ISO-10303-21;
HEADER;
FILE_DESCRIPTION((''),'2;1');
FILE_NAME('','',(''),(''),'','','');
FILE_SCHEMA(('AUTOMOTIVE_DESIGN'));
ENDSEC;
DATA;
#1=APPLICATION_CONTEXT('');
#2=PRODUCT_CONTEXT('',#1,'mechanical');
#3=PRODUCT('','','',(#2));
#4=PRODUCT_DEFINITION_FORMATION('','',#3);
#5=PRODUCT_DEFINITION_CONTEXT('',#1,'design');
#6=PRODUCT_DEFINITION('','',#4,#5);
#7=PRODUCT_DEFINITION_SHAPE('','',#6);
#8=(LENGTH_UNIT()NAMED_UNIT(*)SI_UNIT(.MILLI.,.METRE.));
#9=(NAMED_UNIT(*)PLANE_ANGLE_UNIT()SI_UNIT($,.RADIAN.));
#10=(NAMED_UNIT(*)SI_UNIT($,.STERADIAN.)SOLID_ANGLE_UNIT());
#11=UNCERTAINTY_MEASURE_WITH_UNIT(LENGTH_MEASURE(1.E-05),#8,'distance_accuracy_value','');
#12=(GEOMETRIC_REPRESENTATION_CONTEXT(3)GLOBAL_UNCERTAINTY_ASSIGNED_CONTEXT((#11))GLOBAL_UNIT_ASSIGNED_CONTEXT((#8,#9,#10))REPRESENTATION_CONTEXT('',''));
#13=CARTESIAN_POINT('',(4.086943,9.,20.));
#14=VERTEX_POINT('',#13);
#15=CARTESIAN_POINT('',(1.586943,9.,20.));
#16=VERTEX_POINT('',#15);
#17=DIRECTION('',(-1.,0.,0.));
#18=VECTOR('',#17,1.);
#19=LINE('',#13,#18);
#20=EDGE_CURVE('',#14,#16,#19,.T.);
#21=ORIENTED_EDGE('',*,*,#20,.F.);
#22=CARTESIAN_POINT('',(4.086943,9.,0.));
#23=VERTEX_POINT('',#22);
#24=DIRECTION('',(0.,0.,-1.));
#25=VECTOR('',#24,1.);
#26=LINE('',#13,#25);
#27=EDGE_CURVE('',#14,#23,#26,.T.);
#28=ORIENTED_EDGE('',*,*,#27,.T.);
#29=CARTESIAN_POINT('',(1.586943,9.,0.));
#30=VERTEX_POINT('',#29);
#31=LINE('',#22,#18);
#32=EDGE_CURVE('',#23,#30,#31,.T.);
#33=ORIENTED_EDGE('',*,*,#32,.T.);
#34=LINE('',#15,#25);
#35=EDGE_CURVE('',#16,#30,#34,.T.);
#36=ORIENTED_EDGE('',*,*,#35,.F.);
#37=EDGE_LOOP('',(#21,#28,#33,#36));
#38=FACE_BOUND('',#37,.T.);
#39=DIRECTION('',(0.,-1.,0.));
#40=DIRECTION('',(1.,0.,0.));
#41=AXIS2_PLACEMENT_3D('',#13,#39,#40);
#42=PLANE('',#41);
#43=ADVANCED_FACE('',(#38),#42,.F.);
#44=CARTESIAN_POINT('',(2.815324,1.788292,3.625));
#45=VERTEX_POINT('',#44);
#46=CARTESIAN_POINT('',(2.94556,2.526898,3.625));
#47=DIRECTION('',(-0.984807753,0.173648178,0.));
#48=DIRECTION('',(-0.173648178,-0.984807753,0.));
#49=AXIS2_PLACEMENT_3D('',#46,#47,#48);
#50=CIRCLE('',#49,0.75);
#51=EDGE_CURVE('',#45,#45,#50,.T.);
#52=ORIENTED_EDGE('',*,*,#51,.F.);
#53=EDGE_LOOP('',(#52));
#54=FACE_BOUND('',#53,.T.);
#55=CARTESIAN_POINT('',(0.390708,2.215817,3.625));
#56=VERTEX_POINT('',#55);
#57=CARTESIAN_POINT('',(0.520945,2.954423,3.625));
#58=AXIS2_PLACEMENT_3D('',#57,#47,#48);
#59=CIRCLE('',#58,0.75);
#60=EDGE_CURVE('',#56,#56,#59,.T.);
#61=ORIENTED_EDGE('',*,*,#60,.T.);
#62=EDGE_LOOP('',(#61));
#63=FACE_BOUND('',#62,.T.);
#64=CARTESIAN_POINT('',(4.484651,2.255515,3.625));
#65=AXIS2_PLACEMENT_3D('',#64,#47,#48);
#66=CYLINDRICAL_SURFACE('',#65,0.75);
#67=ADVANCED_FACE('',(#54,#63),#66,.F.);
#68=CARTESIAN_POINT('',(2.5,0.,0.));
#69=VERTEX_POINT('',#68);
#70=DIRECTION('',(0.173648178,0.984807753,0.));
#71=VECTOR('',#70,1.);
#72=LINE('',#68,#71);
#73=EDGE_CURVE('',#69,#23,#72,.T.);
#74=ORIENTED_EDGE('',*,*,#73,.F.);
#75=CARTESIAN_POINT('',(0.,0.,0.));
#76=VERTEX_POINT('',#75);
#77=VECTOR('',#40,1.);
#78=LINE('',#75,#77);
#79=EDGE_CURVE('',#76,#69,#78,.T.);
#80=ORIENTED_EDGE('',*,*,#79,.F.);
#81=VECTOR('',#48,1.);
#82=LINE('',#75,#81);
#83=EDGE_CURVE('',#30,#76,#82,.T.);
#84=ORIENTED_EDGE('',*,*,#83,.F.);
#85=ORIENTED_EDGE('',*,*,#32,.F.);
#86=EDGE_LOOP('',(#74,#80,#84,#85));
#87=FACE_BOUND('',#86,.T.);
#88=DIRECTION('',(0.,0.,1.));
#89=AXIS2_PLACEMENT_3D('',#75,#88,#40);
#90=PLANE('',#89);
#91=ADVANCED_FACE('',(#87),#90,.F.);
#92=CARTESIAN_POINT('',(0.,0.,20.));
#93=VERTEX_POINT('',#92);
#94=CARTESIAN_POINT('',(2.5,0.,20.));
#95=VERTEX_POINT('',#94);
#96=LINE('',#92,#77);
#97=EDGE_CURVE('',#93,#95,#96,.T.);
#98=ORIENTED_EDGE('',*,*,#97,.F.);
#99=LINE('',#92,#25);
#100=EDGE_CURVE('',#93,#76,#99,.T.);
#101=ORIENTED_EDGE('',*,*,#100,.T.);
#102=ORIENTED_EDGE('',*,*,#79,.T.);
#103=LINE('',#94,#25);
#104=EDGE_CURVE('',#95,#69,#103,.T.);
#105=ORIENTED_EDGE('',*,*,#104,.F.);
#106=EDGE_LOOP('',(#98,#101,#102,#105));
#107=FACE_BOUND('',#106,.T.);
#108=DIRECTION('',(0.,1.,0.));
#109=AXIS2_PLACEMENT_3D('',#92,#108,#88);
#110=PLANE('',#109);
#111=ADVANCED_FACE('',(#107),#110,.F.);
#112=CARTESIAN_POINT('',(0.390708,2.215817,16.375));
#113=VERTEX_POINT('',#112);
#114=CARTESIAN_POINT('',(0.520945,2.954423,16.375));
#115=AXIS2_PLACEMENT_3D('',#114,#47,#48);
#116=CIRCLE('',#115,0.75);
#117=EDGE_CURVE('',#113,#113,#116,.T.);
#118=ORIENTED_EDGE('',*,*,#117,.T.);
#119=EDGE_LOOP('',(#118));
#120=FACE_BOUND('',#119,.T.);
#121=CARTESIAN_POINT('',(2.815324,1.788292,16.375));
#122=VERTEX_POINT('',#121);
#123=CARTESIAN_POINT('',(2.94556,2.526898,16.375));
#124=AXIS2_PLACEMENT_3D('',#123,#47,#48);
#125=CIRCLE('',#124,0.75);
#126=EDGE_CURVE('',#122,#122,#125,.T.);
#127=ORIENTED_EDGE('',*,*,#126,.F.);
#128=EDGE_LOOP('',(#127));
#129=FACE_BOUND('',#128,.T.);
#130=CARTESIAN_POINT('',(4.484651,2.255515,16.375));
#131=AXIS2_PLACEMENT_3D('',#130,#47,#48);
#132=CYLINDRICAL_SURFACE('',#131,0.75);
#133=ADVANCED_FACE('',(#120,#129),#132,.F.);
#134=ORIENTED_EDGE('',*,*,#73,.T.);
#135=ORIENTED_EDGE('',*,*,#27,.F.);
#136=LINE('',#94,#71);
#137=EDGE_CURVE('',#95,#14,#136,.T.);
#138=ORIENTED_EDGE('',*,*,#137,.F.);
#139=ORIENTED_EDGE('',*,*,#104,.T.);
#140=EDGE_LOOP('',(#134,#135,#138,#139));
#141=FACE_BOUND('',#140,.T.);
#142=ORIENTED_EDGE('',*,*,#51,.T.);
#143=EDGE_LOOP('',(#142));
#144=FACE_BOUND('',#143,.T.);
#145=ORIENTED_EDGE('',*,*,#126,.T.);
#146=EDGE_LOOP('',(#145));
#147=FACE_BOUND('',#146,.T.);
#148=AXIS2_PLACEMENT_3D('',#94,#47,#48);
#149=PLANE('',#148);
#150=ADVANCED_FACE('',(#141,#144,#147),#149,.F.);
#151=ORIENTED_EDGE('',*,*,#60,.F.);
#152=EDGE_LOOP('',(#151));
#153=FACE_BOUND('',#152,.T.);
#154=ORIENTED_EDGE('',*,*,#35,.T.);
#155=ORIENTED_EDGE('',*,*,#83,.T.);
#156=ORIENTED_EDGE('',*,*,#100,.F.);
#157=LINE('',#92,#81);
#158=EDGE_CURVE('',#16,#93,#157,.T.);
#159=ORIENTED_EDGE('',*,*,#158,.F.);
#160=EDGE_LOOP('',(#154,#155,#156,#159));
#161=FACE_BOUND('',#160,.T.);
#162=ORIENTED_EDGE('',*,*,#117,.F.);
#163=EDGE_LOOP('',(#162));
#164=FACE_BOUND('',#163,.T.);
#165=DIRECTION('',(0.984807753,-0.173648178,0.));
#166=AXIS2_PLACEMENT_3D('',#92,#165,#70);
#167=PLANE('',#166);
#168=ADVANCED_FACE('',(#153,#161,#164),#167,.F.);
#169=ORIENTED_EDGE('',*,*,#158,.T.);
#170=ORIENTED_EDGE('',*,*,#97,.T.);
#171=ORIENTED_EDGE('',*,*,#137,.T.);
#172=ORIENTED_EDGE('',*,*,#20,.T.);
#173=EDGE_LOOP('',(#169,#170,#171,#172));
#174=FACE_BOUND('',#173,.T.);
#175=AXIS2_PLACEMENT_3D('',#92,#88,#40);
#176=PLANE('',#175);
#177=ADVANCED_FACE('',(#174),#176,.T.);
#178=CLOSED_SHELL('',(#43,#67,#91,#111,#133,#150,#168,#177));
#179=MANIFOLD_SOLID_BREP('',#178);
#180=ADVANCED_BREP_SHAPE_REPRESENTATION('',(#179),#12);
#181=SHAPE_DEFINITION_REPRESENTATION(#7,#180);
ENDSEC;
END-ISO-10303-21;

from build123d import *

# Parameters (mm, degrees)
BOSS_EXTRUDE2_DEPTH = 20
SKETCH4_R           = 0.75
CUT_EXTRUDE1_DEPTH  = 5.024852982


with BuildPart() as part:
    # Sketch2 → Boss-Extrude2 (new body)
    with BuildSketch(Plane.XY):
        Polygon((0, 0), (2.5, 0), (4.086942826, 9), (1.586942826, 9), align=None)
    extrude(amount=BOSS_EXTRUDE2_DEPTH)

    # Sketch4 → Cut-Extrude1 (cut, through all)
    with BuildSketch(Plane(origin=(0, 0, 0), x_dir=(0, 0, 1), z_dir=(-0.984807753, 0.173648178, 0))):
        with Locations((3.625, 3)):
            Circle(SKETCH4_R)
        with Locations((16.375, 3)):
            Circle(SKETCH4_R)
    extrude(amount=-CUT_EXTRUDE1_DEPTH, mode=Mode.SUBTRACT)


solid = part.part
